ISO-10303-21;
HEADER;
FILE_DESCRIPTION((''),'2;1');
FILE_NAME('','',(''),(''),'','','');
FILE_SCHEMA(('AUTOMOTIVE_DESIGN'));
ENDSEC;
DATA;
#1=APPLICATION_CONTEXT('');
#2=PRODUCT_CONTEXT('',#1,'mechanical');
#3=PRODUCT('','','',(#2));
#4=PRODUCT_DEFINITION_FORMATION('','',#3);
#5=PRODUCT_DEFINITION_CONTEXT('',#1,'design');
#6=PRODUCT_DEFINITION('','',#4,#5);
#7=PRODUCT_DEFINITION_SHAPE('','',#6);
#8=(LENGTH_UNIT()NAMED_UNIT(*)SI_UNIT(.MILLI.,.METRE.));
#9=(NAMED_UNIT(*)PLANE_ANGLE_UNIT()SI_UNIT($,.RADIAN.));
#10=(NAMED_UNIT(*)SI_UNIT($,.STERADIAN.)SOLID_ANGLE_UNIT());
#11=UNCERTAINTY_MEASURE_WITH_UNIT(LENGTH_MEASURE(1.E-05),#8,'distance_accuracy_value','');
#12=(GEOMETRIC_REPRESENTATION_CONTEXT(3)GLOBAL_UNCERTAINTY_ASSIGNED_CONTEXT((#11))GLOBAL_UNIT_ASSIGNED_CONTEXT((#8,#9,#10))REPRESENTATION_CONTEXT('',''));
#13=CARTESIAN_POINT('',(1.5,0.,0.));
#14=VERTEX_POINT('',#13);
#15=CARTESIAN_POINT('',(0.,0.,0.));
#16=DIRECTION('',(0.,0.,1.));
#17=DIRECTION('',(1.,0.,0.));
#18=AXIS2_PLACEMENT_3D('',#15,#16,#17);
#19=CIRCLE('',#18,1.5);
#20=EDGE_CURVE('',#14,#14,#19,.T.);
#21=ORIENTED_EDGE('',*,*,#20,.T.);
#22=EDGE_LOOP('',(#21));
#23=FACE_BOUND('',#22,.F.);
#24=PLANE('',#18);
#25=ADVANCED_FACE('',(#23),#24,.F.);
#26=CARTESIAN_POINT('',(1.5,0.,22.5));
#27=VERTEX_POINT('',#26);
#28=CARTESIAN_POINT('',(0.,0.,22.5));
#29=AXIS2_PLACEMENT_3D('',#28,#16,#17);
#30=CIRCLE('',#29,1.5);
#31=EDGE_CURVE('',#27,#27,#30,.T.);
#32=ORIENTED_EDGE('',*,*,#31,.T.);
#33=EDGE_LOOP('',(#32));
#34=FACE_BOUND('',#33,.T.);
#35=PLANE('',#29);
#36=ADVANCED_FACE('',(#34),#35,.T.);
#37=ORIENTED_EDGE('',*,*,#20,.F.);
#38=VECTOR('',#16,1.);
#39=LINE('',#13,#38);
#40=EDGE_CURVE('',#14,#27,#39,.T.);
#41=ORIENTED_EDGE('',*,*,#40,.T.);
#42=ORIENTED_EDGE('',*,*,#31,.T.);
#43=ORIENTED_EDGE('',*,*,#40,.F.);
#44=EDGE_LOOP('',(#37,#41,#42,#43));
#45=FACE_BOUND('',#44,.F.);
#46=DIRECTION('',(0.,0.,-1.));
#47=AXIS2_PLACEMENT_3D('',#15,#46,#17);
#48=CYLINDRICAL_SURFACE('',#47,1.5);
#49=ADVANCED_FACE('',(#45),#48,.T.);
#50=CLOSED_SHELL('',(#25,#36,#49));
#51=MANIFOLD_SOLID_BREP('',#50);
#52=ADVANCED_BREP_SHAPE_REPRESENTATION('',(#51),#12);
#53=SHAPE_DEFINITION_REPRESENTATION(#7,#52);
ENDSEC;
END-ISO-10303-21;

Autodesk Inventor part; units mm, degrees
ref_plane "YZ Plane" through (0, 0, 0) normal (1, 0, 0) x (0, 1, 0)
ref_plane "XZ Plane" through (0, 0, 0) normal (0, 1, 0) x (-1, 0, 0)
ref_plane "XY Plane" through (0, 0, 0) normal (0, 0, 1) x (1, 0, 0)
sketch "Sketch1" plane through (0, 0, 0) normal (0, 0, 1) x (1, 0, 0)
  circle A0 centre (0, 0) radius 1.5
  dimension "d0" = 3
extrude "Extrusion1" add sketch "Sketch1" along normal blind 22.5
properties part number "201 bolt"
